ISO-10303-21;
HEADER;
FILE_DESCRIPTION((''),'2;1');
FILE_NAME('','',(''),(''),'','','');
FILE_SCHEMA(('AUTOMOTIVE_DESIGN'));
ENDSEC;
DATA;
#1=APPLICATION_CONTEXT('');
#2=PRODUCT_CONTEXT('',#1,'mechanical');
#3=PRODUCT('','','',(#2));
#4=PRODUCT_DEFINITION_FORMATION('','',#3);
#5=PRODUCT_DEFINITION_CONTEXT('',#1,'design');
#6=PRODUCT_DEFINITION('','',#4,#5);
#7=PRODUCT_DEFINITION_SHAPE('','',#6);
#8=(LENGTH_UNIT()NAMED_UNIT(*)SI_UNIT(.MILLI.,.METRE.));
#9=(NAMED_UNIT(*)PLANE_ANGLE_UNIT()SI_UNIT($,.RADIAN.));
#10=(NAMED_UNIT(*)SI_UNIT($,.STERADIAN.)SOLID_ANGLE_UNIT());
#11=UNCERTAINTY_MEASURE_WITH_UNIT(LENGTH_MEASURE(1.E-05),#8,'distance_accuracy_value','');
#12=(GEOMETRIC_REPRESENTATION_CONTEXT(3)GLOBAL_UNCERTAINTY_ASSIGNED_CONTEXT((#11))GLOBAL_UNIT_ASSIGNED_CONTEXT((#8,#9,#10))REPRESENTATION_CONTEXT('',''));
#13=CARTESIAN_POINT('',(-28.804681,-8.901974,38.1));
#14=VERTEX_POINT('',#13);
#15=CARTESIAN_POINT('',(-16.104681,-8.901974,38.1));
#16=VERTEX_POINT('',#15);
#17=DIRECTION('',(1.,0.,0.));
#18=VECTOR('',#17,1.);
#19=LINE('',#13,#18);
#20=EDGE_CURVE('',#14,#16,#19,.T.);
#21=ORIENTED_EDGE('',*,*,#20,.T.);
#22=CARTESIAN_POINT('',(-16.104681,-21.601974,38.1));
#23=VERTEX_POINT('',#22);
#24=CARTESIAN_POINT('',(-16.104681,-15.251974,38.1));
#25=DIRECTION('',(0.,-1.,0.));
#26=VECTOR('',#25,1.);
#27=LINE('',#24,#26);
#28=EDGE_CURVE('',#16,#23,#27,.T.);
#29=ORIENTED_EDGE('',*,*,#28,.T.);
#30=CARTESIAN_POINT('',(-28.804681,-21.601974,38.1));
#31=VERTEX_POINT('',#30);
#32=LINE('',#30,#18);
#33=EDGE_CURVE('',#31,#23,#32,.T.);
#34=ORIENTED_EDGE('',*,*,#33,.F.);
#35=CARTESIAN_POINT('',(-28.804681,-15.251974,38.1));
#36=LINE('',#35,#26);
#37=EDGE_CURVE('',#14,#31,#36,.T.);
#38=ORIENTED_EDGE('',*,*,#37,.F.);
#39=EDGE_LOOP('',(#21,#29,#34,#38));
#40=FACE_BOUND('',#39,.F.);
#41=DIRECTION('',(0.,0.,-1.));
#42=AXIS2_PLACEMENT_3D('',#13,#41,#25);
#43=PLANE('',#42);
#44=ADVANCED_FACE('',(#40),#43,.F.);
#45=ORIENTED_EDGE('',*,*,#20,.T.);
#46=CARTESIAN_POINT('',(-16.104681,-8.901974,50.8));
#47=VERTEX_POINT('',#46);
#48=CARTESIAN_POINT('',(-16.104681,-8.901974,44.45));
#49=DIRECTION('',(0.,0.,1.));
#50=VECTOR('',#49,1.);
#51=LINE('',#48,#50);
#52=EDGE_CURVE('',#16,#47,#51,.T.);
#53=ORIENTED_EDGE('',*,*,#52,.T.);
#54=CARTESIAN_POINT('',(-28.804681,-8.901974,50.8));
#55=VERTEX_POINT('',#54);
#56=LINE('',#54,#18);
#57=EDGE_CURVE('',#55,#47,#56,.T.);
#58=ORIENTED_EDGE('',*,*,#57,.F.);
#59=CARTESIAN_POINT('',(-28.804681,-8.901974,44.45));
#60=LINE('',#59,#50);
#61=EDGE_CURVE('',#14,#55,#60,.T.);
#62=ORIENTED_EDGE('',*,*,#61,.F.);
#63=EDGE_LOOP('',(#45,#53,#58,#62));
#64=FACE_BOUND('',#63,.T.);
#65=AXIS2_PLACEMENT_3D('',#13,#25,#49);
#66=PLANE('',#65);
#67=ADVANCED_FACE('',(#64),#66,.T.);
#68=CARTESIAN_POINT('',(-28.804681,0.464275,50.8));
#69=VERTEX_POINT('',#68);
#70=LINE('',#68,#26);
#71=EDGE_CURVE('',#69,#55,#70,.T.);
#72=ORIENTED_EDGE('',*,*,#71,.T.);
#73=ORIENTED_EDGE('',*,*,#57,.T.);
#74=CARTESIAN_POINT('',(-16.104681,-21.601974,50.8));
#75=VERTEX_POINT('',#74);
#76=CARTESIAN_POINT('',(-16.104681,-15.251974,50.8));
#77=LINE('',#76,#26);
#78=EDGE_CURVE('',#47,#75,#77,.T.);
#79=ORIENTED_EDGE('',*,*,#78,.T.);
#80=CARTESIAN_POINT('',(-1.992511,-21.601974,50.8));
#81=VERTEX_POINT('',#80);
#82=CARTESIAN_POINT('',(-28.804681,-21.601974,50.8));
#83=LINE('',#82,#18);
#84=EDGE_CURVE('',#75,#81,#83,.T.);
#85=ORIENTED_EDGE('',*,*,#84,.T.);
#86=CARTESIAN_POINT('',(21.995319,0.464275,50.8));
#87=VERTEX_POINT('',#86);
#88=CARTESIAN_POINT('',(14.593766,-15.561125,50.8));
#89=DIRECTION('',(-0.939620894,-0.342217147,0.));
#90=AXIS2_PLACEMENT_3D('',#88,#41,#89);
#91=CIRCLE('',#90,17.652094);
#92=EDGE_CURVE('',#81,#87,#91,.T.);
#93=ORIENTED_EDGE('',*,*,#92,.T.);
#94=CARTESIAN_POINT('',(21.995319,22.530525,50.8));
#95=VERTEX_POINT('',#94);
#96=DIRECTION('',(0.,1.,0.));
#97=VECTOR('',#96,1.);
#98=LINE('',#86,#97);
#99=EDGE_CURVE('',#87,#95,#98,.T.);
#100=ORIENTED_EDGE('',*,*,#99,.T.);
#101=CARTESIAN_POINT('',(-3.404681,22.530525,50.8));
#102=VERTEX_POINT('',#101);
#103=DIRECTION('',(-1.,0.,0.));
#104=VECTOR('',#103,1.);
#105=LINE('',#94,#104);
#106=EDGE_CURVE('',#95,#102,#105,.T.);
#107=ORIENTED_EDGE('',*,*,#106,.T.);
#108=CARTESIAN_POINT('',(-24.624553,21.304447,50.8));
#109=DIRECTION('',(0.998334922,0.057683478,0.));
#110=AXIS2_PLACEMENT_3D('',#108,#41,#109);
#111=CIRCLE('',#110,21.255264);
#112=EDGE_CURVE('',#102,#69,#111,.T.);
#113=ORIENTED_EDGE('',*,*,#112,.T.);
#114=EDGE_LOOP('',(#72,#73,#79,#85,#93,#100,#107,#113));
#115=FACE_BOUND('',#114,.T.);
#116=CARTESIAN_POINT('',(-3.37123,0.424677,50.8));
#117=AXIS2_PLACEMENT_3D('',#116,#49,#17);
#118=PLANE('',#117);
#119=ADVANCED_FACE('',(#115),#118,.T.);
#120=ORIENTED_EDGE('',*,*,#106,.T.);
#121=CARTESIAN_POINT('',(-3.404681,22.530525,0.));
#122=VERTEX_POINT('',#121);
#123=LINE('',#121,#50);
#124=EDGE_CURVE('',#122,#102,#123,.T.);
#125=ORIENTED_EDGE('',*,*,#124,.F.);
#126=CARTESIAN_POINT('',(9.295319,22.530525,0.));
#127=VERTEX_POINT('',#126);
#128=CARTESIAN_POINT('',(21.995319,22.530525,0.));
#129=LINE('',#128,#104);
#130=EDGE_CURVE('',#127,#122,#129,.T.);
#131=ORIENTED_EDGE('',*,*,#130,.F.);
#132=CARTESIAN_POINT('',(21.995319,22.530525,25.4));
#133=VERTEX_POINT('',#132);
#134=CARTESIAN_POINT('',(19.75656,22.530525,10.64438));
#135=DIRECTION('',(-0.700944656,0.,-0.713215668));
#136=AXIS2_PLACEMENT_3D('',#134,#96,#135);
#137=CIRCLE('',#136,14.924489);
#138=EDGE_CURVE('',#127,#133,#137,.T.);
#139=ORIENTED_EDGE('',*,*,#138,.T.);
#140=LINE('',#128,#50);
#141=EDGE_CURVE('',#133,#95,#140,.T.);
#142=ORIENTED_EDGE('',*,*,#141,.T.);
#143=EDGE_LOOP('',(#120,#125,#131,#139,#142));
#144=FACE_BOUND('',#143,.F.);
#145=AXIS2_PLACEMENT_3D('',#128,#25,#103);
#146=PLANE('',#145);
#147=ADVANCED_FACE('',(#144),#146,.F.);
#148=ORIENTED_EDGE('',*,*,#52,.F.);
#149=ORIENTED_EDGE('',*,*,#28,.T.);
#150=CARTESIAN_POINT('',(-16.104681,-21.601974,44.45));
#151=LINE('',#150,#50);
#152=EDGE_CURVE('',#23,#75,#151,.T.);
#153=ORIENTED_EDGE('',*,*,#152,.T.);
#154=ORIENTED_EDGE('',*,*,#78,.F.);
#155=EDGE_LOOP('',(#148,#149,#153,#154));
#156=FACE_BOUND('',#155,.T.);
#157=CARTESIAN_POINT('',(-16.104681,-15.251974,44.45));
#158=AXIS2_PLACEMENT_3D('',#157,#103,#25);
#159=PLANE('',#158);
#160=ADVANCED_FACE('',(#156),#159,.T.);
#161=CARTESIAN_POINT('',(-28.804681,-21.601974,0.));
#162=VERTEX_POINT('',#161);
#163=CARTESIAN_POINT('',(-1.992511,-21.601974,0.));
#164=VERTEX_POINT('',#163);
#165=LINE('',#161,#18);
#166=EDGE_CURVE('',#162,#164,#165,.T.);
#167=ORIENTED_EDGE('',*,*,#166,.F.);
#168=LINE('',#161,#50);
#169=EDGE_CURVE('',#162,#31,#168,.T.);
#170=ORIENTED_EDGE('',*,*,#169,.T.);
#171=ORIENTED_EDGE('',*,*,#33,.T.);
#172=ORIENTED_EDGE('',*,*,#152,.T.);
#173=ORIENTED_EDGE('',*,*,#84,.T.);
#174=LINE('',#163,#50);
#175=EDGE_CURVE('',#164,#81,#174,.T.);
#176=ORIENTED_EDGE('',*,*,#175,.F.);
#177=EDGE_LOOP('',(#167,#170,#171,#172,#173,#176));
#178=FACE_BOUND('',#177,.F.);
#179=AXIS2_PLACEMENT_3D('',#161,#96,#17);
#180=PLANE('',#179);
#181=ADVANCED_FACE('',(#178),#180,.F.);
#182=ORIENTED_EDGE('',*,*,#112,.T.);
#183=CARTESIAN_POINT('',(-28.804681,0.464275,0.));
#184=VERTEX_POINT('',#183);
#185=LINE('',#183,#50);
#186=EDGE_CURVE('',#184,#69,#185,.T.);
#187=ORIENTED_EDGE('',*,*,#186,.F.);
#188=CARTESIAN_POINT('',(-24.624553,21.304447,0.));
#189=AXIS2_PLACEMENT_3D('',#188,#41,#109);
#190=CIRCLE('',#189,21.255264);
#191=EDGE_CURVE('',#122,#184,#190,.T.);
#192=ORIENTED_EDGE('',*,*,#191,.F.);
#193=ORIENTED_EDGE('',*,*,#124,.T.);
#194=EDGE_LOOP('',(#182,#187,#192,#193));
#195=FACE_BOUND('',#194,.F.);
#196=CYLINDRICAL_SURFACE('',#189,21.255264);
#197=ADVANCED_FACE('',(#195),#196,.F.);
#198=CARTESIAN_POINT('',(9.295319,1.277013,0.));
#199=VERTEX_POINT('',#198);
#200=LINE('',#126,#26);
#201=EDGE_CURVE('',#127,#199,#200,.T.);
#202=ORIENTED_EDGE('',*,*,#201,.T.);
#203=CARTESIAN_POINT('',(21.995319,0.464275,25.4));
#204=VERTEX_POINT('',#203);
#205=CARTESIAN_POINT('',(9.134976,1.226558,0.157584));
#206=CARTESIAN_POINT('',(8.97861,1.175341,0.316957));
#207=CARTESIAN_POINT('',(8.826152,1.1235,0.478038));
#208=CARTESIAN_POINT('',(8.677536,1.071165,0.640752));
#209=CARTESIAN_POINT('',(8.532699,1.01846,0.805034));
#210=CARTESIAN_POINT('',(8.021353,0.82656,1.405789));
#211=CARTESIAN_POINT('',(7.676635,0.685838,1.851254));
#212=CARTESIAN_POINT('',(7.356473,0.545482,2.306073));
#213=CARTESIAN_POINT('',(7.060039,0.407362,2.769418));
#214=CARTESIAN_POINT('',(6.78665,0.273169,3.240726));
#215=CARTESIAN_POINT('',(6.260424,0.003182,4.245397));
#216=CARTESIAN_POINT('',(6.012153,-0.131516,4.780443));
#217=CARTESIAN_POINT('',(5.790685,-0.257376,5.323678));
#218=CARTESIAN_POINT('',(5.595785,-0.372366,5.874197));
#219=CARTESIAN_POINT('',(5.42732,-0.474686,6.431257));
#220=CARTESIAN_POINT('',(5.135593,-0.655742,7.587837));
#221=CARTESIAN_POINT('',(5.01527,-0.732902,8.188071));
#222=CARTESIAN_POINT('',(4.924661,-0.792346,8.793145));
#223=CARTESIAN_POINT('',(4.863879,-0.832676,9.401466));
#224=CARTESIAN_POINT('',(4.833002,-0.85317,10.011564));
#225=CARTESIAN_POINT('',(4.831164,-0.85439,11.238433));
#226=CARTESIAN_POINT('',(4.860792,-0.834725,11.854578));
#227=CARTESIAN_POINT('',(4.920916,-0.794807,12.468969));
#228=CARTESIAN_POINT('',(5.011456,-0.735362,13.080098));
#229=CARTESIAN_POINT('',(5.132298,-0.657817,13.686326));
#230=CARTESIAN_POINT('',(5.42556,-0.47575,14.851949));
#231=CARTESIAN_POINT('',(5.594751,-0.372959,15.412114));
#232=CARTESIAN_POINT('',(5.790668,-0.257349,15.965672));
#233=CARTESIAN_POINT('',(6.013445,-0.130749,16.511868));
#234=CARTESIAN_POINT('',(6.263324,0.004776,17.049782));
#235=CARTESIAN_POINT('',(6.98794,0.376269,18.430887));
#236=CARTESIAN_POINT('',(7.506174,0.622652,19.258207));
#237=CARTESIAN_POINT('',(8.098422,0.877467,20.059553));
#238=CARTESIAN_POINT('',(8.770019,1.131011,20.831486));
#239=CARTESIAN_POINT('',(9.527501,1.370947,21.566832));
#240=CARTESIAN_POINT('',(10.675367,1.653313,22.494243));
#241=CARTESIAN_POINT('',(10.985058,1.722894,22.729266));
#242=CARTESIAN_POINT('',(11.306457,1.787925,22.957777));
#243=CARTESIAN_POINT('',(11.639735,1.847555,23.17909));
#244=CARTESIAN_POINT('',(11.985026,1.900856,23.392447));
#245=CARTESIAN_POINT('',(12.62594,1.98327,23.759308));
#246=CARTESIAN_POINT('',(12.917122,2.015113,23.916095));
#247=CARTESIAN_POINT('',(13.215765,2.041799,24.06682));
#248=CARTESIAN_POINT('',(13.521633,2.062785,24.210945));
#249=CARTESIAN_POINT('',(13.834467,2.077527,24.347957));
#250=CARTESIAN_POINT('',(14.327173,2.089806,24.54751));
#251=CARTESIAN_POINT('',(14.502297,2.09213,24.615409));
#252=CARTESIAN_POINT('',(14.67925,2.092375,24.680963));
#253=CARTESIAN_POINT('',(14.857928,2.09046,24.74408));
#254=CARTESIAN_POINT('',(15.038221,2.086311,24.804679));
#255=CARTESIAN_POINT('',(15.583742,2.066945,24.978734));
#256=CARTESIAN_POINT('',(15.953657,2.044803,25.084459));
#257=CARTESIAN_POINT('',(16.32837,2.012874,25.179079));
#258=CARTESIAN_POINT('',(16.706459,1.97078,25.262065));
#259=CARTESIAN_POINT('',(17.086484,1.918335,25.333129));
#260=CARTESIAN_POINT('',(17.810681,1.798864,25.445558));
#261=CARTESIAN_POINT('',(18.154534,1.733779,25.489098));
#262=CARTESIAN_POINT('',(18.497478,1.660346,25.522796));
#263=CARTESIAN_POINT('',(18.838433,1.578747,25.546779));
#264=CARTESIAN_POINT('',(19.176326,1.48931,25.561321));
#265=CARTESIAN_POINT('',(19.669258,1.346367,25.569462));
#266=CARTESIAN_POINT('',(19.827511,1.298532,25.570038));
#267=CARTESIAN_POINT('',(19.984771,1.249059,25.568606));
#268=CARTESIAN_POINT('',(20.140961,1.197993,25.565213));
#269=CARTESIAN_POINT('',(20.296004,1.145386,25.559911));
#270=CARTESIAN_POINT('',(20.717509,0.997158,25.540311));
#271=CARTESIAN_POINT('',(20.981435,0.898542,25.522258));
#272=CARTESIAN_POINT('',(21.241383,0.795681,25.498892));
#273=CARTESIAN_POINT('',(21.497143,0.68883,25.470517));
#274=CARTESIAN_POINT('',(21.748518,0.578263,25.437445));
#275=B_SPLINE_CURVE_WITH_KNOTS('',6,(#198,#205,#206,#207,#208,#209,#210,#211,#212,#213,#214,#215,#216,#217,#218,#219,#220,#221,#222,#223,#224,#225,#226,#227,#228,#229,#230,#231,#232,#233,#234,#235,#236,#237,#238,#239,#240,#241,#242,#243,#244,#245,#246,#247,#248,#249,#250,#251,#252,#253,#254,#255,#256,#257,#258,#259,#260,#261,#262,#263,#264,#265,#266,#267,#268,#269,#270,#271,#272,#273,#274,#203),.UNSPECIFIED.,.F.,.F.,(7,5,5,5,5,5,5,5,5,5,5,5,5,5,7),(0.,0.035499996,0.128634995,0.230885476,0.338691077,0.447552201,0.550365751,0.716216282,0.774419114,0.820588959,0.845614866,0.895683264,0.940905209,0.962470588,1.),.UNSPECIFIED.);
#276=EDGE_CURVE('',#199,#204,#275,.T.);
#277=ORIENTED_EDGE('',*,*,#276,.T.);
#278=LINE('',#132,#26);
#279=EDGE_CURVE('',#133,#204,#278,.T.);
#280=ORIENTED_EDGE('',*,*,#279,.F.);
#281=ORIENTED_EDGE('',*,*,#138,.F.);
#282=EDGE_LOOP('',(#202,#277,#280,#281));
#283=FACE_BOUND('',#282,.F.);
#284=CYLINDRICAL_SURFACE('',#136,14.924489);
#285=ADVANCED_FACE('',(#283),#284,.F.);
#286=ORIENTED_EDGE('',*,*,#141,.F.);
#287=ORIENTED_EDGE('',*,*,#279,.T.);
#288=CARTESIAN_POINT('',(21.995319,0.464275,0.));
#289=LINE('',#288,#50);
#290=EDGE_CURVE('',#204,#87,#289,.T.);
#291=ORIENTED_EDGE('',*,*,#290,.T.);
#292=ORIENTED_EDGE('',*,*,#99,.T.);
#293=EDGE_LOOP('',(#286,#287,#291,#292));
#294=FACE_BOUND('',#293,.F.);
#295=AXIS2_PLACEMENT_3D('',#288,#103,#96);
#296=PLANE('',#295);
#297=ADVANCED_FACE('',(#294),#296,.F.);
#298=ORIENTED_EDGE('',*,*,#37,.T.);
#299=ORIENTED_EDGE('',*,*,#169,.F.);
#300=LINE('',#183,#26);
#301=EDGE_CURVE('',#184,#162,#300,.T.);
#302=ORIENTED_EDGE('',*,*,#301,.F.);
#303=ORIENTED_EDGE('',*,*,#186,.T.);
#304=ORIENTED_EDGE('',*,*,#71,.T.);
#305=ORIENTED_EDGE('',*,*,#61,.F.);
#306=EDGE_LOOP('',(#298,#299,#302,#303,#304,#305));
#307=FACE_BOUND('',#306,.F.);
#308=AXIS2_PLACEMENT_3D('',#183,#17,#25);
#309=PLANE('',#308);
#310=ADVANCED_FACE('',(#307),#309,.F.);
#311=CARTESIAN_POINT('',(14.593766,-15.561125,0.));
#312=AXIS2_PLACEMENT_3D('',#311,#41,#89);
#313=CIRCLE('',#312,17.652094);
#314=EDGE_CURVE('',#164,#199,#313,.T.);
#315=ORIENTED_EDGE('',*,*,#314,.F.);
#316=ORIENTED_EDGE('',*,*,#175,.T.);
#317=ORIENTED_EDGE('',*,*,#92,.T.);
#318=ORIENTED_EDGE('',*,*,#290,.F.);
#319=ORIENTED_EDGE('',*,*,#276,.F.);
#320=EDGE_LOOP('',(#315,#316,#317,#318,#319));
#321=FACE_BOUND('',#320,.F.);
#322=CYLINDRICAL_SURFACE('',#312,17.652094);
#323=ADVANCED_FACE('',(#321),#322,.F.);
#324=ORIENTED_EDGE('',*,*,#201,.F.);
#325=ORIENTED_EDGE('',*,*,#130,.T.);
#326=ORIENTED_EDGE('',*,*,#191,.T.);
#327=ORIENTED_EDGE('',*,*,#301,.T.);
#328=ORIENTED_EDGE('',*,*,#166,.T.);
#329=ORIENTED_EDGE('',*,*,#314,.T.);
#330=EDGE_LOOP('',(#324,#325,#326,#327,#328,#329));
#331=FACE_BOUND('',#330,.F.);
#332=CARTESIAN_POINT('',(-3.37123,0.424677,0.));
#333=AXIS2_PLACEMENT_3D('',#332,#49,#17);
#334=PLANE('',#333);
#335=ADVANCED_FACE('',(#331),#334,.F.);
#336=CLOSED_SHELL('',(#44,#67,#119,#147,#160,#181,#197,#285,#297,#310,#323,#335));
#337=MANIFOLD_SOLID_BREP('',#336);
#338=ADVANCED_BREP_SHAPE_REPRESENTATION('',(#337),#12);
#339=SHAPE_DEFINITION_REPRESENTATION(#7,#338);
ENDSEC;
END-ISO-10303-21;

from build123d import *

# Parameters (mm, degrees)
F1_DEPTH = 50.8
F2_W     = 12.7
F2_H     = 12.7
F3_DEPTH = 12.7
F5_DEPTH = 25.4


with BuildPart() as f1:
    # F0 (on Top) → F1 (new body)
    with BuildSketch(Plane.XY):
        with BuildLine():
            Line((21.995319, 22.530525), (-3.404681, 22.530525))
            ThreePointArc((-3.404681, 22.530525), (-10.684751, 5.258633), (-28.804681, 0.464275))
            Line((-28.804681, 0.464275), (-28.804681, -21.601974))
            Line((-28.804681, -21.601974), (-1.992511, -21.601974))
            ThreePointArc((-1.992511, -21.601974), (2.643049, -2.569712), (21.995319, 0.464275))
            Line((21.995319, 0.464275), (21.995319, 22.530525))
        make_face()
    extrude(amount=F1_DEPTH)

    # F2 (on face) → F3 (cut)
    with BuildSketch(Plane(origin=(-28.804681, 0, 0), x_dir=(0, -1, 0), z_dir=(-1, 0, 0))):
        with Locations((15.251974, 44.45)):
            Rectangle(F2_W, F2_H)
    extrude(amount=-F3_DEPTH, mode=Mode.SUBTRACT)

    # F4 (on face) → F5 (cut)
    with BuildSketch(Plane(origin=(0, 22.530525, 0), x_dir=(-1, 0, 0), z_dir=(0, 1, 0))):
        with BuildLine():
            Line((-21.995319, 0), (-9.295319, 0))
            ThreePointArc((-9.295319, 0), (-6.407691, 17.318814), (-21.995319, 25.4))
            Line((-21.995319, 25.4), (-21.995319, 0))
        make_face()
    extrude(amount=-F5_DEPTH, mode=Mode.SUBTRACT)


solid = f1.part
